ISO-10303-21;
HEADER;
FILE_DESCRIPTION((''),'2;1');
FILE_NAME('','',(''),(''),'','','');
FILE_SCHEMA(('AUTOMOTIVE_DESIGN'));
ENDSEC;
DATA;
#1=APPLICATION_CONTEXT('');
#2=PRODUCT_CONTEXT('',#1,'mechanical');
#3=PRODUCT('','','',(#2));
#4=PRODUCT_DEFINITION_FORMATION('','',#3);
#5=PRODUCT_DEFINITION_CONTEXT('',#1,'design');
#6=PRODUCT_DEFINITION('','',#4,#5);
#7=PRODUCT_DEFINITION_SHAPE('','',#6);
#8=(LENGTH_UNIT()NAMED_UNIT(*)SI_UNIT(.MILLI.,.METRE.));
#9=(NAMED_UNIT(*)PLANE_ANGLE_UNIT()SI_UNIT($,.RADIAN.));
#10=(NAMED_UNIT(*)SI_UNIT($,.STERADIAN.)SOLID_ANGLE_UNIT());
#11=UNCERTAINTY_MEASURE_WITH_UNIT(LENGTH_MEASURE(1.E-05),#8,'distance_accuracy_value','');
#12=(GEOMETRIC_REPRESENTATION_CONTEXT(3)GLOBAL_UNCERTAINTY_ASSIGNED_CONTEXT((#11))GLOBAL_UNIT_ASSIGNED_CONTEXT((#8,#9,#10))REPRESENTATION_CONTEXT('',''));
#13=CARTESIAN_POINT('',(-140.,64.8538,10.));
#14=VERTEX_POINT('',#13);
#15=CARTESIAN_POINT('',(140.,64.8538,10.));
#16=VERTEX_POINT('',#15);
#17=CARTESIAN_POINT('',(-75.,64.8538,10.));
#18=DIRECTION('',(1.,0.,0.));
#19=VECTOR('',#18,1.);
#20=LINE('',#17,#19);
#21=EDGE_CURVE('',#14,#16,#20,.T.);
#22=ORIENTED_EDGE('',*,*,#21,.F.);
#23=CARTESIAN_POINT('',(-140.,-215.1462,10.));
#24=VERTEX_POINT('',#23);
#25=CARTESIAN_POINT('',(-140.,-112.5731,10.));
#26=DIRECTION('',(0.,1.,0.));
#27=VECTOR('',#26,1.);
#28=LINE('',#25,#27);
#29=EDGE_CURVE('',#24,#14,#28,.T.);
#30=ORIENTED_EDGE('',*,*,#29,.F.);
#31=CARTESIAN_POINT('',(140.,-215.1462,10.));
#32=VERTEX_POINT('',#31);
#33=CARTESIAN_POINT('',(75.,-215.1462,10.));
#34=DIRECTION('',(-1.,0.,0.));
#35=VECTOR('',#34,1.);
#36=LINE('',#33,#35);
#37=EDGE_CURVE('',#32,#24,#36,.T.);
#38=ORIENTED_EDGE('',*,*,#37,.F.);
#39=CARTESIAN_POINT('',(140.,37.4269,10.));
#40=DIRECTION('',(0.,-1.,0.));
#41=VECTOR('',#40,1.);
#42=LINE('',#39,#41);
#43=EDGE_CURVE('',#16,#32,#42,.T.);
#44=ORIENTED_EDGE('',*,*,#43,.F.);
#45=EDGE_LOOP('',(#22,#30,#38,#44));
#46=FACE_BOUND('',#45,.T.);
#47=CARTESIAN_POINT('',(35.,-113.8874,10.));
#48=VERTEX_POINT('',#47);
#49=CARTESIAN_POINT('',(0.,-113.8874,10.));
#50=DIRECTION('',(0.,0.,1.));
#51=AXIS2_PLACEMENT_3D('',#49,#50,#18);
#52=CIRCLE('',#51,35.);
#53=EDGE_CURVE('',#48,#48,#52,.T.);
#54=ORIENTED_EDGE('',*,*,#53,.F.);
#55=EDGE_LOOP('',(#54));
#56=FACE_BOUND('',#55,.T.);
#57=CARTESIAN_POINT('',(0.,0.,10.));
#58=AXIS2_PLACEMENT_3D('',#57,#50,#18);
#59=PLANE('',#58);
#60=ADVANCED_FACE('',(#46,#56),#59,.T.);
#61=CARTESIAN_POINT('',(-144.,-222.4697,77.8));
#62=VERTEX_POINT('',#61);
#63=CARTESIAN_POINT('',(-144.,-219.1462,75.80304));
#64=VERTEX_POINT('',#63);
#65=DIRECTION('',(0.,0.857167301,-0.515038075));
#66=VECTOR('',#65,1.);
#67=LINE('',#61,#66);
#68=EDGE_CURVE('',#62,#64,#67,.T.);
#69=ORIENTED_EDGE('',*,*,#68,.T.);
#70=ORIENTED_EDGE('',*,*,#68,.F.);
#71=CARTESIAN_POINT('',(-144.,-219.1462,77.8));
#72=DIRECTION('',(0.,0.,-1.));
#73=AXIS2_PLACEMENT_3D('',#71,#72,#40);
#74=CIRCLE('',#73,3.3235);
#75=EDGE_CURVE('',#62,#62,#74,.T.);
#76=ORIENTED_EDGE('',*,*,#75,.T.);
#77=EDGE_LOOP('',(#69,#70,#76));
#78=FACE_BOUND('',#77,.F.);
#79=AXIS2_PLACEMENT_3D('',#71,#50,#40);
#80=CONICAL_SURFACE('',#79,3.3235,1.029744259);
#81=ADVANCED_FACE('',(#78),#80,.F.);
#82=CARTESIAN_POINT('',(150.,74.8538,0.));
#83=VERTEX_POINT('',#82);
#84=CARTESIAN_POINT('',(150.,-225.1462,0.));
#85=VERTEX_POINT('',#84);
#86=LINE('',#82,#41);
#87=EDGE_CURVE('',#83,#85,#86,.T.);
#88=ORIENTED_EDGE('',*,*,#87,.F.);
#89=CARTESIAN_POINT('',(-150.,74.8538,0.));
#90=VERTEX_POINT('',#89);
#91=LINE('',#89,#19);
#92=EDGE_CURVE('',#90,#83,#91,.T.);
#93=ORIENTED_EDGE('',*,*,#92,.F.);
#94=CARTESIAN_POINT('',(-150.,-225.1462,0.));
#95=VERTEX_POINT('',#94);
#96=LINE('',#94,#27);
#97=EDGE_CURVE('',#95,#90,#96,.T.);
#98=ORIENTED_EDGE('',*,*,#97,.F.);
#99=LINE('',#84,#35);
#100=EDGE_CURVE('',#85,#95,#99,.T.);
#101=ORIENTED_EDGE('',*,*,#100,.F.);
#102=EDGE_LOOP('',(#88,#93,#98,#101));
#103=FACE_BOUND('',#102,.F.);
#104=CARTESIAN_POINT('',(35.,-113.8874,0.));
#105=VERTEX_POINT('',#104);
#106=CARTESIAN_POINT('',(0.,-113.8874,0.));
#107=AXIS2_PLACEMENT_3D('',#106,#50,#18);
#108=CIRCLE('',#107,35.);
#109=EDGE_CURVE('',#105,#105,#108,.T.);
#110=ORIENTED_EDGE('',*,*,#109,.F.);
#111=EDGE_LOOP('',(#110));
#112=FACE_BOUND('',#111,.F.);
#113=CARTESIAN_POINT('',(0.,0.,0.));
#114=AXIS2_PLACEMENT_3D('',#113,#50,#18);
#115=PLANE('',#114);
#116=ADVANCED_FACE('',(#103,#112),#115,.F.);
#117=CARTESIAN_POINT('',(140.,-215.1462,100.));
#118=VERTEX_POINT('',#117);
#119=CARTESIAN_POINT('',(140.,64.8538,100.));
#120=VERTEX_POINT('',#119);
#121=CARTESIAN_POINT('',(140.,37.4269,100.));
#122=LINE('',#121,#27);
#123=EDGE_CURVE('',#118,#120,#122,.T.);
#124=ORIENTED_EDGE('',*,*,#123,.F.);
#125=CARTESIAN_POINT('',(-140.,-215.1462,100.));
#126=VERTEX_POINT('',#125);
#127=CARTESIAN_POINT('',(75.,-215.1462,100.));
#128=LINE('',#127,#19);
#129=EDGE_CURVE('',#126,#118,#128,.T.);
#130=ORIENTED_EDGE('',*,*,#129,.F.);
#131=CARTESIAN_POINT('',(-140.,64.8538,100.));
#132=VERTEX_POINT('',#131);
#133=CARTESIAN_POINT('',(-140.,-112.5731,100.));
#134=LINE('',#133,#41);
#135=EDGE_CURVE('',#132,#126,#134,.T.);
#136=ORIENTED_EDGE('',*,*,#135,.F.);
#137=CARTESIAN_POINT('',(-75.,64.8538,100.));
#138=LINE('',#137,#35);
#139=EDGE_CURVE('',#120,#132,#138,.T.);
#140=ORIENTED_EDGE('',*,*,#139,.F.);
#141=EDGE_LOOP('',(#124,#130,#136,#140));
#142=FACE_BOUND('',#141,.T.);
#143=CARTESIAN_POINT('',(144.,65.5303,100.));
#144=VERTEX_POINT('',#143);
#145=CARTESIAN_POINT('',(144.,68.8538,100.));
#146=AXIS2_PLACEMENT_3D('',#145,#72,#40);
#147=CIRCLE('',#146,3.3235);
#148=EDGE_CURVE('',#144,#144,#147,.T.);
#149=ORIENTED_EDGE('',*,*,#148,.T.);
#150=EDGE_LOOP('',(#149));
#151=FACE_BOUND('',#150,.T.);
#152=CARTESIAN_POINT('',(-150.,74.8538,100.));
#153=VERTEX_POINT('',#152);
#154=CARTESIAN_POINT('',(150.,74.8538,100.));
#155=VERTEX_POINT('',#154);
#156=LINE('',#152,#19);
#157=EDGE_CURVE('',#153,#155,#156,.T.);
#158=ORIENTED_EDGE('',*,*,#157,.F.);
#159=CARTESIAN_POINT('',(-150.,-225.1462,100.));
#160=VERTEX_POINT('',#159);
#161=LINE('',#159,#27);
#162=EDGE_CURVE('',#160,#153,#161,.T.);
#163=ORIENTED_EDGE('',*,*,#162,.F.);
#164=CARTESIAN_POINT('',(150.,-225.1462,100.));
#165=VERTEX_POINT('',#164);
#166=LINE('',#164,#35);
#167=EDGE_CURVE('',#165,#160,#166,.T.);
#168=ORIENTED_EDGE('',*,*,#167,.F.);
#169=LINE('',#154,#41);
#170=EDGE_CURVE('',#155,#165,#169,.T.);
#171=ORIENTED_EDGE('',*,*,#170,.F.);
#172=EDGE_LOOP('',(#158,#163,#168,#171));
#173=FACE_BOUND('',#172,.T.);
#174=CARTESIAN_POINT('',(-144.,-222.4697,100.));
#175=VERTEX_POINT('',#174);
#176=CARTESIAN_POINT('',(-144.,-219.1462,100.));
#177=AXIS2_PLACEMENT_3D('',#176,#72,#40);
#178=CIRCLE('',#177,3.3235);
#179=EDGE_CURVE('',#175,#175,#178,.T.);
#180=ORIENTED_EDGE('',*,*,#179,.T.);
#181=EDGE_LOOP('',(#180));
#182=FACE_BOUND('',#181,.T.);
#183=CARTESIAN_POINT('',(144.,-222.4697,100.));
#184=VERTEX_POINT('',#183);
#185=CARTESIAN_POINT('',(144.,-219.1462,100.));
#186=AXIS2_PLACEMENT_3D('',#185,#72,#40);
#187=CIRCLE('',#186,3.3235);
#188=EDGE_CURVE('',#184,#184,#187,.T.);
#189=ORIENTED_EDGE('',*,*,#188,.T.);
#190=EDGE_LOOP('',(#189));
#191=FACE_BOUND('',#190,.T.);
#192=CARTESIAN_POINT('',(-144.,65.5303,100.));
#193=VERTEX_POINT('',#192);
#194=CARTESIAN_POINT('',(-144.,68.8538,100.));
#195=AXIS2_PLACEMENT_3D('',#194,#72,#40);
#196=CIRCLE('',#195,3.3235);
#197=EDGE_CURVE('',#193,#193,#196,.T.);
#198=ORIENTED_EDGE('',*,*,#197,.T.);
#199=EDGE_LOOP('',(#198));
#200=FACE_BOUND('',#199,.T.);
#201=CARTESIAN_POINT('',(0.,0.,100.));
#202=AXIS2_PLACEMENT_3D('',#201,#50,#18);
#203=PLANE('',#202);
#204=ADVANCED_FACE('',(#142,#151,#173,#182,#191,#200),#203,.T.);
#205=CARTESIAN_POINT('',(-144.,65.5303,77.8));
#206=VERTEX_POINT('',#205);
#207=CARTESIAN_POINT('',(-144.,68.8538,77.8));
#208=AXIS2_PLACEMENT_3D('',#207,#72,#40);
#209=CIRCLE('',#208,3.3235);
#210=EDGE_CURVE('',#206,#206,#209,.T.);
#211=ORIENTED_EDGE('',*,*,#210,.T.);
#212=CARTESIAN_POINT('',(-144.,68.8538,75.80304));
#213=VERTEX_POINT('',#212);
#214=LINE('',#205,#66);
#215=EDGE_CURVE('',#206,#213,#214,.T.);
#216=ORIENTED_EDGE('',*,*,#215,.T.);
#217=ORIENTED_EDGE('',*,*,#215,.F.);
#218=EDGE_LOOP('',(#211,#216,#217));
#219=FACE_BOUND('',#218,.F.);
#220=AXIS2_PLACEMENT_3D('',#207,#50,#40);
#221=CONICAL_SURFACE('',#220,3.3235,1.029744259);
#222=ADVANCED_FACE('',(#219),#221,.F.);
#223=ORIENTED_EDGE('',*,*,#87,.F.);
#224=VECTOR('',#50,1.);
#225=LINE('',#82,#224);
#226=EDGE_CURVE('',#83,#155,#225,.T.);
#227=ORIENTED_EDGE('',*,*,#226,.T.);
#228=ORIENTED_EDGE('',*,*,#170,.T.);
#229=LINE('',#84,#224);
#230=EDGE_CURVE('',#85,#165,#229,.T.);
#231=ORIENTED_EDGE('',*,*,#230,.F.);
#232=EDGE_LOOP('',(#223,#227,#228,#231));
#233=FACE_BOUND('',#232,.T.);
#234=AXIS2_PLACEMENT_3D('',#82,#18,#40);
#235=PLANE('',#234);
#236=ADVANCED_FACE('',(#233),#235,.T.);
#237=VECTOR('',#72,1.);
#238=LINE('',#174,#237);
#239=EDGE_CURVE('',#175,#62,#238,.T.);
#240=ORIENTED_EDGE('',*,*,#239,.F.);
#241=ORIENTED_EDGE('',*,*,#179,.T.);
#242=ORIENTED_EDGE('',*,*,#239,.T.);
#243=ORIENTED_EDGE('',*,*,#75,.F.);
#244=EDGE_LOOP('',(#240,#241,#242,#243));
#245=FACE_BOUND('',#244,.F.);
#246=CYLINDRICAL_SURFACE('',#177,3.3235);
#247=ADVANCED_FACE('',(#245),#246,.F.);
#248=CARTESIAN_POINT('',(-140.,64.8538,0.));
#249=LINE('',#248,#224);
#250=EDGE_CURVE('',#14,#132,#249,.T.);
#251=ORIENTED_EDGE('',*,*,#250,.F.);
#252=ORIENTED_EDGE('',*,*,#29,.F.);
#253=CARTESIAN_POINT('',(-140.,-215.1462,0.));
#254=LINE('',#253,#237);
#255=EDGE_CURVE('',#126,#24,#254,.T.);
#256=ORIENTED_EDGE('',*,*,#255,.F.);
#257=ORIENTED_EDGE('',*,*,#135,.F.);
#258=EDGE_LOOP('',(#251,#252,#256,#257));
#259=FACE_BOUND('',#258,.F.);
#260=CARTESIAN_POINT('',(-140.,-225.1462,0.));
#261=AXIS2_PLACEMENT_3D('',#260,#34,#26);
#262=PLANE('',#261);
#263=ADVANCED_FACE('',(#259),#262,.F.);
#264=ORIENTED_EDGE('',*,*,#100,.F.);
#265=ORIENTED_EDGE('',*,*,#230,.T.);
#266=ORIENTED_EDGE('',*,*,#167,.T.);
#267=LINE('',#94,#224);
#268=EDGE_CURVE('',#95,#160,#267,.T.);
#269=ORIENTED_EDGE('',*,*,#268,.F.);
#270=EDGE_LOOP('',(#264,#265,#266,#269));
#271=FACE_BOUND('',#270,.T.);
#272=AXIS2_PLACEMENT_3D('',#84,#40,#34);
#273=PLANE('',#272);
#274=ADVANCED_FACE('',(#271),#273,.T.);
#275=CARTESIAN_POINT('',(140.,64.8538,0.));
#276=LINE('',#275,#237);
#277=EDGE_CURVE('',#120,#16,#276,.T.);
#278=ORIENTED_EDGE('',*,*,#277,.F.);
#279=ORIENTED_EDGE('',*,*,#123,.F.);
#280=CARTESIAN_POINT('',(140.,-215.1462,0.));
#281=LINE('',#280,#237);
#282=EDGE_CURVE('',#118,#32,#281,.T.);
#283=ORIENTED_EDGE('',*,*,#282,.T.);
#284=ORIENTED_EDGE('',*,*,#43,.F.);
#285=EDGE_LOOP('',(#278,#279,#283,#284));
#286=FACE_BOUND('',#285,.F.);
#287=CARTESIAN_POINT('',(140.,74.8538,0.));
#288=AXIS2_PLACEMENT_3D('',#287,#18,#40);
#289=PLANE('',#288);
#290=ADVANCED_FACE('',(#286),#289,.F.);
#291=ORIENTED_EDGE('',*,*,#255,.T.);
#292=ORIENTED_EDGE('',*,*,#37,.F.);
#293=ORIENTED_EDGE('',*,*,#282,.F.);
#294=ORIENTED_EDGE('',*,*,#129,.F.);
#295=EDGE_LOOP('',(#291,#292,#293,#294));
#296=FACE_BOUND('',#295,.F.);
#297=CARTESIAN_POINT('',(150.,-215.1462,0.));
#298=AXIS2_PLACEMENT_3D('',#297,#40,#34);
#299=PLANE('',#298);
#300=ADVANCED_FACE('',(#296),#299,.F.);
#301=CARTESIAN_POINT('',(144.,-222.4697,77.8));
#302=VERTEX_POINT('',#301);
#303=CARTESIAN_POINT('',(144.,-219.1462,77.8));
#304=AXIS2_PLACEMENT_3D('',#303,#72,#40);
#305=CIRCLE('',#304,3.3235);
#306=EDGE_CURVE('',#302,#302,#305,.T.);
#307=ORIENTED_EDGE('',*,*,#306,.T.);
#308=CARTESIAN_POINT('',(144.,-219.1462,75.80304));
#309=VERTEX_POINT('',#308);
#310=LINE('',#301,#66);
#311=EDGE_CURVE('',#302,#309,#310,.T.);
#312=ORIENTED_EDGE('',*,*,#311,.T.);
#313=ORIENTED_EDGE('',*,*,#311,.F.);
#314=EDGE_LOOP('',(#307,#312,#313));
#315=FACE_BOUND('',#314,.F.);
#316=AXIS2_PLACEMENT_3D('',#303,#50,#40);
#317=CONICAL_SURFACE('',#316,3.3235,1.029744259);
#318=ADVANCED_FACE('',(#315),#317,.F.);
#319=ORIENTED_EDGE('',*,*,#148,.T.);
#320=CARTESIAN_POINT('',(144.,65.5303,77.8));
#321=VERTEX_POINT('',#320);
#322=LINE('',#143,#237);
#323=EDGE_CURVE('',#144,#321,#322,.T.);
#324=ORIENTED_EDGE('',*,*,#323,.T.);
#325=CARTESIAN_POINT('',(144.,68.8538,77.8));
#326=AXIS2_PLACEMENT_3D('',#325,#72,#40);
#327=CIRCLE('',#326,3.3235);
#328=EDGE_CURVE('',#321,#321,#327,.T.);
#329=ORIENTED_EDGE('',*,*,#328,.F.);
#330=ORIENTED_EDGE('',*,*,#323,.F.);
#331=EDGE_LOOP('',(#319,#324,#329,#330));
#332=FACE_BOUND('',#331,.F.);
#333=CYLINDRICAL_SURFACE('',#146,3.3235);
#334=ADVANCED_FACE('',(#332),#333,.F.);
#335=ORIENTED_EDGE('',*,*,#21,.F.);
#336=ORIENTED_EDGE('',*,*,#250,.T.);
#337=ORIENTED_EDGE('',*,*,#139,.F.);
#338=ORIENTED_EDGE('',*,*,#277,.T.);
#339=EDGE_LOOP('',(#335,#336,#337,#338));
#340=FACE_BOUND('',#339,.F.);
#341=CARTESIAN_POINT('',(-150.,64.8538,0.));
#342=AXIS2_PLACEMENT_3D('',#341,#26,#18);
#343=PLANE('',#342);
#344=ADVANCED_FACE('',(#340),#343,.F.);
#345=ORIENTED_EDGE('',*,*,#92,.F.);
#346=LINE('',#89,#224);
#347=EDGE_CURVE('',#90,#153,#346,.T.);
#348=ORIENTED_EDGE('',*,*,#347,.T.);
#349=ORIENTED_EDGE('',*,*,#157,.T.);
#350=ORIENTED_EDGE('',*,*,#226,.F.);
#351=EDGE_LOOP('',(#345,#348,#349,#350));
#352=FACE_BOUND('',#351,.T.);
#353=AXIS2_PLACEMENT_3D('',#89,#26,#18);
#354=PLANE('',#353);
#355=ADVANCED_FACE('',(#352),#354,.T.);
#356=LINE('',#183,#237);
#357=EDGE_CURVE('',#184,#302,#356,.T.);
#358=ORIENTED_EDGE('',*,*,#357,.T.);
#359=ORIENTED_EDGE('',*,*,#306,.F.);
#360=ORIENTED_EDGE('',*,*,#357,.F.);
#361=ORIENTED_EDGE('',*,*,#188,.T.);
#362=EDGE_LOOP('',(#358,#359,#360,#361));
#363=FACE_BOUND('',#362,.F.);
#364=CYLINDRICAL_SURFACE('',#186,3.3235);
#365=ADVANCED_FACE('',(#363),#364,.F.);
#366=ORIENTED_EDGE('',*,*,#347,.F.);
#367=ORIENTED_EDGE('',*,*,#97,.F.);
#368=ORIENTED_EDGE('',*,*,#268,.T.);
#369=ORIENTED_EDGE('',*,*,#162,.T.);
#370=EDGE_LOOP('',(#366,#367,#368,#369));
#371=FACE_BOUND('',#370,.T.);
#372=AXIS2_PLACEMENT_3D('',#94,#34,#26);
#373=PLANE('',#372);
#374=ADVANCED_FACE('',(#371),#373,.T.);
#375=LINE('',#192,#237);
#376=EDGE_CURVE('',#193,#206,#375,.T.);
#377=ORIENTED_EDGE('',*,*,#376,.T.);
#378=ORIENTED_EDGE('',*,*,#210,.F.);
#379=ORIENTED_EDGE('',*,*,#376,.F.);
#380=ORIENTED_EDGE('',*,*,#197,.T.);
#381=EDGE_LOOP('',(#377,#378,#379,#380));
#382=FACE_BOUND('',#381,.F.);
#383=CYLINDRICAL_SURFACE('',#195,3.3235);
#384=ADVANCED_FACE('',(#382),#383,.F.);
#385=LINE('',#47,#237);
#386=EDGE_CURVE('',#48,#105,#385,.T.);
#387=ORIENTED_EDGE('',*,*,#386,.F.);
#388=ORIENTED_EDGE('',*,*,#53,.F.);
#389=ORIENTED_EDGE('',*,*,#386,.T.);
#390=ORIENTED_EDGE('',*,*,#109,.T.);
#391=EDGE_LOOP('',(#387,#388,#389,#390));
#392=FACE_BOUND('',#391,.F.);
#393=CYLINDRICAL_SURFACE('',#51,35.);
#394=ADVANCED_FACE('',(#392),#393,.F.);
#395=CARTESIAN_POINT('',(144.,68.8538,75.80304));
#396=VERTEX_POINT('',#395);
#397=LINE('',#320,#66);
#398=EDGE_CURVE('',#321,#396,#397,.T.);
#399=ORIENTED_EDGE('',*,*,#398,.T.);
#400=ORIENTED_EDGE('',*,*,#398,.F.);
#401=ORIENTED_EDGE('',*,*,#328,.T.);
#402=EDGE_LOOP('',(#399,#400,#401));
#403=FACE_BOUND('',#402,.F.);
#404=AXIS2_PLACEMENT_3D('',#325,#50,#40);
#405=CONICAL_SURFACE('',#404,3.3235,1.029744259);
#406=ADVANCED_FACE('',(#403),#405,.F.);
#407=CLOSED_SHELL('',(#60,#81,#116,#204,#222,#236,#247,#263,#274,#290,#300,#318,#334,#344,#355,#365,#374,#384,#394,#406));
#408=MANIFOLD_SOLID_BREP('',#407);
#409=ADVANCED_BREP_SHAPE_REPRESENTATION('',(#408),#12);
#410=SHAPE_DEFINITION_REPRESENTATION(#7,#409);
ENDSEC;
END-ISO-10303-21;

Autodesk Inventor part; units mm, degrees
ref_plane "YZ Plane" through (0, 0, 0) normal (1, 0, 0) x (0, 1, 0)
ref_plane "XZ Plane" through (0, 0, 0) normal (0, 1, 0) x (-1, 0, 0)
ref_plane "XY Plane" through (0, 0, 0) normal (0, 0, 1) x (1, 0, 0)
sketch "Sketch1" plane through (0, 0, 0) normal (0, 0, 1) x (1, 0, 0)
  line L0 (-150, 74.8538) -> (150, 74.8538)
  line L1 (150, 74.8538) -> (150, -225.1462)
  line L2 (150, -225.1462) -> (-150, -225.1462)
  line L3 (-150, -225.1462) -> (-150, 74.8538)
  point P0 (0, 0)
  dimension "d0" = 300
  dimension "d1" = 300
  dimension "d2" = 150
extrude "Extrusion1" add sketch "Sketch1" along normal blind 100
shell "Shell1" thickness 10 removed faces 1 at (-50, -25.1462, 100)
sketch "Sketch2" plane through (-140, 64.8538, 10) normal (0, 0, 1) x (1, 0, 0)
  circle A0 centre (140, -178.7412) radius 35 projected
  circle A1 centre (140, -178.7412) radius 35 projected
  circle A2 centre (140, -178.7412) radius 35
  point P0 (140, -64.8538)
extrude "Extrusion2" cut sketch "Sketch2" against normal up to next
sketch "Sketch3" plane through (0, 0, 100) normal (0, 0, 1) x (1, 0, 0)
  line L0 (-140, 64.8538) -> (140, 64.8538) projected
  line L1 (-150, 74.8538) -> (-150, -225.1462) projected
  line L2 (150, -225.1462) -> (150, 74.8538) projected
  line L3 (140, -215.1462) -> (-140, -215.1462) projected
  point P0 (0, 0)
  point P1 (-144, 68.8538)
  point P2 (144, 68.8538)
  point P3 (144, -219.1462)
  point P4 (-144, -219.1462)
  dimension "d8" = 4
  dimension "d9" = 6
  dimension "d10" = 6
  dimension "d11" = 6
  dimension "d12" = 6
  dimension "d13" = 4
  dimension "d14" = 4
  dimension "d15" = 4
hole "Hole1" at (-144, 68.8538, 100) at (144, 68.8538, 100) at (144, -219.1462, 100) at (-144, -219.1462, 100) direction (0, 0, -1) diameter 6.647 depth 22.2 tip angle 118 thread size "M8x1.25" class "6H" standard "ISO Metric profile"
properties part number "aanstuurkast"
